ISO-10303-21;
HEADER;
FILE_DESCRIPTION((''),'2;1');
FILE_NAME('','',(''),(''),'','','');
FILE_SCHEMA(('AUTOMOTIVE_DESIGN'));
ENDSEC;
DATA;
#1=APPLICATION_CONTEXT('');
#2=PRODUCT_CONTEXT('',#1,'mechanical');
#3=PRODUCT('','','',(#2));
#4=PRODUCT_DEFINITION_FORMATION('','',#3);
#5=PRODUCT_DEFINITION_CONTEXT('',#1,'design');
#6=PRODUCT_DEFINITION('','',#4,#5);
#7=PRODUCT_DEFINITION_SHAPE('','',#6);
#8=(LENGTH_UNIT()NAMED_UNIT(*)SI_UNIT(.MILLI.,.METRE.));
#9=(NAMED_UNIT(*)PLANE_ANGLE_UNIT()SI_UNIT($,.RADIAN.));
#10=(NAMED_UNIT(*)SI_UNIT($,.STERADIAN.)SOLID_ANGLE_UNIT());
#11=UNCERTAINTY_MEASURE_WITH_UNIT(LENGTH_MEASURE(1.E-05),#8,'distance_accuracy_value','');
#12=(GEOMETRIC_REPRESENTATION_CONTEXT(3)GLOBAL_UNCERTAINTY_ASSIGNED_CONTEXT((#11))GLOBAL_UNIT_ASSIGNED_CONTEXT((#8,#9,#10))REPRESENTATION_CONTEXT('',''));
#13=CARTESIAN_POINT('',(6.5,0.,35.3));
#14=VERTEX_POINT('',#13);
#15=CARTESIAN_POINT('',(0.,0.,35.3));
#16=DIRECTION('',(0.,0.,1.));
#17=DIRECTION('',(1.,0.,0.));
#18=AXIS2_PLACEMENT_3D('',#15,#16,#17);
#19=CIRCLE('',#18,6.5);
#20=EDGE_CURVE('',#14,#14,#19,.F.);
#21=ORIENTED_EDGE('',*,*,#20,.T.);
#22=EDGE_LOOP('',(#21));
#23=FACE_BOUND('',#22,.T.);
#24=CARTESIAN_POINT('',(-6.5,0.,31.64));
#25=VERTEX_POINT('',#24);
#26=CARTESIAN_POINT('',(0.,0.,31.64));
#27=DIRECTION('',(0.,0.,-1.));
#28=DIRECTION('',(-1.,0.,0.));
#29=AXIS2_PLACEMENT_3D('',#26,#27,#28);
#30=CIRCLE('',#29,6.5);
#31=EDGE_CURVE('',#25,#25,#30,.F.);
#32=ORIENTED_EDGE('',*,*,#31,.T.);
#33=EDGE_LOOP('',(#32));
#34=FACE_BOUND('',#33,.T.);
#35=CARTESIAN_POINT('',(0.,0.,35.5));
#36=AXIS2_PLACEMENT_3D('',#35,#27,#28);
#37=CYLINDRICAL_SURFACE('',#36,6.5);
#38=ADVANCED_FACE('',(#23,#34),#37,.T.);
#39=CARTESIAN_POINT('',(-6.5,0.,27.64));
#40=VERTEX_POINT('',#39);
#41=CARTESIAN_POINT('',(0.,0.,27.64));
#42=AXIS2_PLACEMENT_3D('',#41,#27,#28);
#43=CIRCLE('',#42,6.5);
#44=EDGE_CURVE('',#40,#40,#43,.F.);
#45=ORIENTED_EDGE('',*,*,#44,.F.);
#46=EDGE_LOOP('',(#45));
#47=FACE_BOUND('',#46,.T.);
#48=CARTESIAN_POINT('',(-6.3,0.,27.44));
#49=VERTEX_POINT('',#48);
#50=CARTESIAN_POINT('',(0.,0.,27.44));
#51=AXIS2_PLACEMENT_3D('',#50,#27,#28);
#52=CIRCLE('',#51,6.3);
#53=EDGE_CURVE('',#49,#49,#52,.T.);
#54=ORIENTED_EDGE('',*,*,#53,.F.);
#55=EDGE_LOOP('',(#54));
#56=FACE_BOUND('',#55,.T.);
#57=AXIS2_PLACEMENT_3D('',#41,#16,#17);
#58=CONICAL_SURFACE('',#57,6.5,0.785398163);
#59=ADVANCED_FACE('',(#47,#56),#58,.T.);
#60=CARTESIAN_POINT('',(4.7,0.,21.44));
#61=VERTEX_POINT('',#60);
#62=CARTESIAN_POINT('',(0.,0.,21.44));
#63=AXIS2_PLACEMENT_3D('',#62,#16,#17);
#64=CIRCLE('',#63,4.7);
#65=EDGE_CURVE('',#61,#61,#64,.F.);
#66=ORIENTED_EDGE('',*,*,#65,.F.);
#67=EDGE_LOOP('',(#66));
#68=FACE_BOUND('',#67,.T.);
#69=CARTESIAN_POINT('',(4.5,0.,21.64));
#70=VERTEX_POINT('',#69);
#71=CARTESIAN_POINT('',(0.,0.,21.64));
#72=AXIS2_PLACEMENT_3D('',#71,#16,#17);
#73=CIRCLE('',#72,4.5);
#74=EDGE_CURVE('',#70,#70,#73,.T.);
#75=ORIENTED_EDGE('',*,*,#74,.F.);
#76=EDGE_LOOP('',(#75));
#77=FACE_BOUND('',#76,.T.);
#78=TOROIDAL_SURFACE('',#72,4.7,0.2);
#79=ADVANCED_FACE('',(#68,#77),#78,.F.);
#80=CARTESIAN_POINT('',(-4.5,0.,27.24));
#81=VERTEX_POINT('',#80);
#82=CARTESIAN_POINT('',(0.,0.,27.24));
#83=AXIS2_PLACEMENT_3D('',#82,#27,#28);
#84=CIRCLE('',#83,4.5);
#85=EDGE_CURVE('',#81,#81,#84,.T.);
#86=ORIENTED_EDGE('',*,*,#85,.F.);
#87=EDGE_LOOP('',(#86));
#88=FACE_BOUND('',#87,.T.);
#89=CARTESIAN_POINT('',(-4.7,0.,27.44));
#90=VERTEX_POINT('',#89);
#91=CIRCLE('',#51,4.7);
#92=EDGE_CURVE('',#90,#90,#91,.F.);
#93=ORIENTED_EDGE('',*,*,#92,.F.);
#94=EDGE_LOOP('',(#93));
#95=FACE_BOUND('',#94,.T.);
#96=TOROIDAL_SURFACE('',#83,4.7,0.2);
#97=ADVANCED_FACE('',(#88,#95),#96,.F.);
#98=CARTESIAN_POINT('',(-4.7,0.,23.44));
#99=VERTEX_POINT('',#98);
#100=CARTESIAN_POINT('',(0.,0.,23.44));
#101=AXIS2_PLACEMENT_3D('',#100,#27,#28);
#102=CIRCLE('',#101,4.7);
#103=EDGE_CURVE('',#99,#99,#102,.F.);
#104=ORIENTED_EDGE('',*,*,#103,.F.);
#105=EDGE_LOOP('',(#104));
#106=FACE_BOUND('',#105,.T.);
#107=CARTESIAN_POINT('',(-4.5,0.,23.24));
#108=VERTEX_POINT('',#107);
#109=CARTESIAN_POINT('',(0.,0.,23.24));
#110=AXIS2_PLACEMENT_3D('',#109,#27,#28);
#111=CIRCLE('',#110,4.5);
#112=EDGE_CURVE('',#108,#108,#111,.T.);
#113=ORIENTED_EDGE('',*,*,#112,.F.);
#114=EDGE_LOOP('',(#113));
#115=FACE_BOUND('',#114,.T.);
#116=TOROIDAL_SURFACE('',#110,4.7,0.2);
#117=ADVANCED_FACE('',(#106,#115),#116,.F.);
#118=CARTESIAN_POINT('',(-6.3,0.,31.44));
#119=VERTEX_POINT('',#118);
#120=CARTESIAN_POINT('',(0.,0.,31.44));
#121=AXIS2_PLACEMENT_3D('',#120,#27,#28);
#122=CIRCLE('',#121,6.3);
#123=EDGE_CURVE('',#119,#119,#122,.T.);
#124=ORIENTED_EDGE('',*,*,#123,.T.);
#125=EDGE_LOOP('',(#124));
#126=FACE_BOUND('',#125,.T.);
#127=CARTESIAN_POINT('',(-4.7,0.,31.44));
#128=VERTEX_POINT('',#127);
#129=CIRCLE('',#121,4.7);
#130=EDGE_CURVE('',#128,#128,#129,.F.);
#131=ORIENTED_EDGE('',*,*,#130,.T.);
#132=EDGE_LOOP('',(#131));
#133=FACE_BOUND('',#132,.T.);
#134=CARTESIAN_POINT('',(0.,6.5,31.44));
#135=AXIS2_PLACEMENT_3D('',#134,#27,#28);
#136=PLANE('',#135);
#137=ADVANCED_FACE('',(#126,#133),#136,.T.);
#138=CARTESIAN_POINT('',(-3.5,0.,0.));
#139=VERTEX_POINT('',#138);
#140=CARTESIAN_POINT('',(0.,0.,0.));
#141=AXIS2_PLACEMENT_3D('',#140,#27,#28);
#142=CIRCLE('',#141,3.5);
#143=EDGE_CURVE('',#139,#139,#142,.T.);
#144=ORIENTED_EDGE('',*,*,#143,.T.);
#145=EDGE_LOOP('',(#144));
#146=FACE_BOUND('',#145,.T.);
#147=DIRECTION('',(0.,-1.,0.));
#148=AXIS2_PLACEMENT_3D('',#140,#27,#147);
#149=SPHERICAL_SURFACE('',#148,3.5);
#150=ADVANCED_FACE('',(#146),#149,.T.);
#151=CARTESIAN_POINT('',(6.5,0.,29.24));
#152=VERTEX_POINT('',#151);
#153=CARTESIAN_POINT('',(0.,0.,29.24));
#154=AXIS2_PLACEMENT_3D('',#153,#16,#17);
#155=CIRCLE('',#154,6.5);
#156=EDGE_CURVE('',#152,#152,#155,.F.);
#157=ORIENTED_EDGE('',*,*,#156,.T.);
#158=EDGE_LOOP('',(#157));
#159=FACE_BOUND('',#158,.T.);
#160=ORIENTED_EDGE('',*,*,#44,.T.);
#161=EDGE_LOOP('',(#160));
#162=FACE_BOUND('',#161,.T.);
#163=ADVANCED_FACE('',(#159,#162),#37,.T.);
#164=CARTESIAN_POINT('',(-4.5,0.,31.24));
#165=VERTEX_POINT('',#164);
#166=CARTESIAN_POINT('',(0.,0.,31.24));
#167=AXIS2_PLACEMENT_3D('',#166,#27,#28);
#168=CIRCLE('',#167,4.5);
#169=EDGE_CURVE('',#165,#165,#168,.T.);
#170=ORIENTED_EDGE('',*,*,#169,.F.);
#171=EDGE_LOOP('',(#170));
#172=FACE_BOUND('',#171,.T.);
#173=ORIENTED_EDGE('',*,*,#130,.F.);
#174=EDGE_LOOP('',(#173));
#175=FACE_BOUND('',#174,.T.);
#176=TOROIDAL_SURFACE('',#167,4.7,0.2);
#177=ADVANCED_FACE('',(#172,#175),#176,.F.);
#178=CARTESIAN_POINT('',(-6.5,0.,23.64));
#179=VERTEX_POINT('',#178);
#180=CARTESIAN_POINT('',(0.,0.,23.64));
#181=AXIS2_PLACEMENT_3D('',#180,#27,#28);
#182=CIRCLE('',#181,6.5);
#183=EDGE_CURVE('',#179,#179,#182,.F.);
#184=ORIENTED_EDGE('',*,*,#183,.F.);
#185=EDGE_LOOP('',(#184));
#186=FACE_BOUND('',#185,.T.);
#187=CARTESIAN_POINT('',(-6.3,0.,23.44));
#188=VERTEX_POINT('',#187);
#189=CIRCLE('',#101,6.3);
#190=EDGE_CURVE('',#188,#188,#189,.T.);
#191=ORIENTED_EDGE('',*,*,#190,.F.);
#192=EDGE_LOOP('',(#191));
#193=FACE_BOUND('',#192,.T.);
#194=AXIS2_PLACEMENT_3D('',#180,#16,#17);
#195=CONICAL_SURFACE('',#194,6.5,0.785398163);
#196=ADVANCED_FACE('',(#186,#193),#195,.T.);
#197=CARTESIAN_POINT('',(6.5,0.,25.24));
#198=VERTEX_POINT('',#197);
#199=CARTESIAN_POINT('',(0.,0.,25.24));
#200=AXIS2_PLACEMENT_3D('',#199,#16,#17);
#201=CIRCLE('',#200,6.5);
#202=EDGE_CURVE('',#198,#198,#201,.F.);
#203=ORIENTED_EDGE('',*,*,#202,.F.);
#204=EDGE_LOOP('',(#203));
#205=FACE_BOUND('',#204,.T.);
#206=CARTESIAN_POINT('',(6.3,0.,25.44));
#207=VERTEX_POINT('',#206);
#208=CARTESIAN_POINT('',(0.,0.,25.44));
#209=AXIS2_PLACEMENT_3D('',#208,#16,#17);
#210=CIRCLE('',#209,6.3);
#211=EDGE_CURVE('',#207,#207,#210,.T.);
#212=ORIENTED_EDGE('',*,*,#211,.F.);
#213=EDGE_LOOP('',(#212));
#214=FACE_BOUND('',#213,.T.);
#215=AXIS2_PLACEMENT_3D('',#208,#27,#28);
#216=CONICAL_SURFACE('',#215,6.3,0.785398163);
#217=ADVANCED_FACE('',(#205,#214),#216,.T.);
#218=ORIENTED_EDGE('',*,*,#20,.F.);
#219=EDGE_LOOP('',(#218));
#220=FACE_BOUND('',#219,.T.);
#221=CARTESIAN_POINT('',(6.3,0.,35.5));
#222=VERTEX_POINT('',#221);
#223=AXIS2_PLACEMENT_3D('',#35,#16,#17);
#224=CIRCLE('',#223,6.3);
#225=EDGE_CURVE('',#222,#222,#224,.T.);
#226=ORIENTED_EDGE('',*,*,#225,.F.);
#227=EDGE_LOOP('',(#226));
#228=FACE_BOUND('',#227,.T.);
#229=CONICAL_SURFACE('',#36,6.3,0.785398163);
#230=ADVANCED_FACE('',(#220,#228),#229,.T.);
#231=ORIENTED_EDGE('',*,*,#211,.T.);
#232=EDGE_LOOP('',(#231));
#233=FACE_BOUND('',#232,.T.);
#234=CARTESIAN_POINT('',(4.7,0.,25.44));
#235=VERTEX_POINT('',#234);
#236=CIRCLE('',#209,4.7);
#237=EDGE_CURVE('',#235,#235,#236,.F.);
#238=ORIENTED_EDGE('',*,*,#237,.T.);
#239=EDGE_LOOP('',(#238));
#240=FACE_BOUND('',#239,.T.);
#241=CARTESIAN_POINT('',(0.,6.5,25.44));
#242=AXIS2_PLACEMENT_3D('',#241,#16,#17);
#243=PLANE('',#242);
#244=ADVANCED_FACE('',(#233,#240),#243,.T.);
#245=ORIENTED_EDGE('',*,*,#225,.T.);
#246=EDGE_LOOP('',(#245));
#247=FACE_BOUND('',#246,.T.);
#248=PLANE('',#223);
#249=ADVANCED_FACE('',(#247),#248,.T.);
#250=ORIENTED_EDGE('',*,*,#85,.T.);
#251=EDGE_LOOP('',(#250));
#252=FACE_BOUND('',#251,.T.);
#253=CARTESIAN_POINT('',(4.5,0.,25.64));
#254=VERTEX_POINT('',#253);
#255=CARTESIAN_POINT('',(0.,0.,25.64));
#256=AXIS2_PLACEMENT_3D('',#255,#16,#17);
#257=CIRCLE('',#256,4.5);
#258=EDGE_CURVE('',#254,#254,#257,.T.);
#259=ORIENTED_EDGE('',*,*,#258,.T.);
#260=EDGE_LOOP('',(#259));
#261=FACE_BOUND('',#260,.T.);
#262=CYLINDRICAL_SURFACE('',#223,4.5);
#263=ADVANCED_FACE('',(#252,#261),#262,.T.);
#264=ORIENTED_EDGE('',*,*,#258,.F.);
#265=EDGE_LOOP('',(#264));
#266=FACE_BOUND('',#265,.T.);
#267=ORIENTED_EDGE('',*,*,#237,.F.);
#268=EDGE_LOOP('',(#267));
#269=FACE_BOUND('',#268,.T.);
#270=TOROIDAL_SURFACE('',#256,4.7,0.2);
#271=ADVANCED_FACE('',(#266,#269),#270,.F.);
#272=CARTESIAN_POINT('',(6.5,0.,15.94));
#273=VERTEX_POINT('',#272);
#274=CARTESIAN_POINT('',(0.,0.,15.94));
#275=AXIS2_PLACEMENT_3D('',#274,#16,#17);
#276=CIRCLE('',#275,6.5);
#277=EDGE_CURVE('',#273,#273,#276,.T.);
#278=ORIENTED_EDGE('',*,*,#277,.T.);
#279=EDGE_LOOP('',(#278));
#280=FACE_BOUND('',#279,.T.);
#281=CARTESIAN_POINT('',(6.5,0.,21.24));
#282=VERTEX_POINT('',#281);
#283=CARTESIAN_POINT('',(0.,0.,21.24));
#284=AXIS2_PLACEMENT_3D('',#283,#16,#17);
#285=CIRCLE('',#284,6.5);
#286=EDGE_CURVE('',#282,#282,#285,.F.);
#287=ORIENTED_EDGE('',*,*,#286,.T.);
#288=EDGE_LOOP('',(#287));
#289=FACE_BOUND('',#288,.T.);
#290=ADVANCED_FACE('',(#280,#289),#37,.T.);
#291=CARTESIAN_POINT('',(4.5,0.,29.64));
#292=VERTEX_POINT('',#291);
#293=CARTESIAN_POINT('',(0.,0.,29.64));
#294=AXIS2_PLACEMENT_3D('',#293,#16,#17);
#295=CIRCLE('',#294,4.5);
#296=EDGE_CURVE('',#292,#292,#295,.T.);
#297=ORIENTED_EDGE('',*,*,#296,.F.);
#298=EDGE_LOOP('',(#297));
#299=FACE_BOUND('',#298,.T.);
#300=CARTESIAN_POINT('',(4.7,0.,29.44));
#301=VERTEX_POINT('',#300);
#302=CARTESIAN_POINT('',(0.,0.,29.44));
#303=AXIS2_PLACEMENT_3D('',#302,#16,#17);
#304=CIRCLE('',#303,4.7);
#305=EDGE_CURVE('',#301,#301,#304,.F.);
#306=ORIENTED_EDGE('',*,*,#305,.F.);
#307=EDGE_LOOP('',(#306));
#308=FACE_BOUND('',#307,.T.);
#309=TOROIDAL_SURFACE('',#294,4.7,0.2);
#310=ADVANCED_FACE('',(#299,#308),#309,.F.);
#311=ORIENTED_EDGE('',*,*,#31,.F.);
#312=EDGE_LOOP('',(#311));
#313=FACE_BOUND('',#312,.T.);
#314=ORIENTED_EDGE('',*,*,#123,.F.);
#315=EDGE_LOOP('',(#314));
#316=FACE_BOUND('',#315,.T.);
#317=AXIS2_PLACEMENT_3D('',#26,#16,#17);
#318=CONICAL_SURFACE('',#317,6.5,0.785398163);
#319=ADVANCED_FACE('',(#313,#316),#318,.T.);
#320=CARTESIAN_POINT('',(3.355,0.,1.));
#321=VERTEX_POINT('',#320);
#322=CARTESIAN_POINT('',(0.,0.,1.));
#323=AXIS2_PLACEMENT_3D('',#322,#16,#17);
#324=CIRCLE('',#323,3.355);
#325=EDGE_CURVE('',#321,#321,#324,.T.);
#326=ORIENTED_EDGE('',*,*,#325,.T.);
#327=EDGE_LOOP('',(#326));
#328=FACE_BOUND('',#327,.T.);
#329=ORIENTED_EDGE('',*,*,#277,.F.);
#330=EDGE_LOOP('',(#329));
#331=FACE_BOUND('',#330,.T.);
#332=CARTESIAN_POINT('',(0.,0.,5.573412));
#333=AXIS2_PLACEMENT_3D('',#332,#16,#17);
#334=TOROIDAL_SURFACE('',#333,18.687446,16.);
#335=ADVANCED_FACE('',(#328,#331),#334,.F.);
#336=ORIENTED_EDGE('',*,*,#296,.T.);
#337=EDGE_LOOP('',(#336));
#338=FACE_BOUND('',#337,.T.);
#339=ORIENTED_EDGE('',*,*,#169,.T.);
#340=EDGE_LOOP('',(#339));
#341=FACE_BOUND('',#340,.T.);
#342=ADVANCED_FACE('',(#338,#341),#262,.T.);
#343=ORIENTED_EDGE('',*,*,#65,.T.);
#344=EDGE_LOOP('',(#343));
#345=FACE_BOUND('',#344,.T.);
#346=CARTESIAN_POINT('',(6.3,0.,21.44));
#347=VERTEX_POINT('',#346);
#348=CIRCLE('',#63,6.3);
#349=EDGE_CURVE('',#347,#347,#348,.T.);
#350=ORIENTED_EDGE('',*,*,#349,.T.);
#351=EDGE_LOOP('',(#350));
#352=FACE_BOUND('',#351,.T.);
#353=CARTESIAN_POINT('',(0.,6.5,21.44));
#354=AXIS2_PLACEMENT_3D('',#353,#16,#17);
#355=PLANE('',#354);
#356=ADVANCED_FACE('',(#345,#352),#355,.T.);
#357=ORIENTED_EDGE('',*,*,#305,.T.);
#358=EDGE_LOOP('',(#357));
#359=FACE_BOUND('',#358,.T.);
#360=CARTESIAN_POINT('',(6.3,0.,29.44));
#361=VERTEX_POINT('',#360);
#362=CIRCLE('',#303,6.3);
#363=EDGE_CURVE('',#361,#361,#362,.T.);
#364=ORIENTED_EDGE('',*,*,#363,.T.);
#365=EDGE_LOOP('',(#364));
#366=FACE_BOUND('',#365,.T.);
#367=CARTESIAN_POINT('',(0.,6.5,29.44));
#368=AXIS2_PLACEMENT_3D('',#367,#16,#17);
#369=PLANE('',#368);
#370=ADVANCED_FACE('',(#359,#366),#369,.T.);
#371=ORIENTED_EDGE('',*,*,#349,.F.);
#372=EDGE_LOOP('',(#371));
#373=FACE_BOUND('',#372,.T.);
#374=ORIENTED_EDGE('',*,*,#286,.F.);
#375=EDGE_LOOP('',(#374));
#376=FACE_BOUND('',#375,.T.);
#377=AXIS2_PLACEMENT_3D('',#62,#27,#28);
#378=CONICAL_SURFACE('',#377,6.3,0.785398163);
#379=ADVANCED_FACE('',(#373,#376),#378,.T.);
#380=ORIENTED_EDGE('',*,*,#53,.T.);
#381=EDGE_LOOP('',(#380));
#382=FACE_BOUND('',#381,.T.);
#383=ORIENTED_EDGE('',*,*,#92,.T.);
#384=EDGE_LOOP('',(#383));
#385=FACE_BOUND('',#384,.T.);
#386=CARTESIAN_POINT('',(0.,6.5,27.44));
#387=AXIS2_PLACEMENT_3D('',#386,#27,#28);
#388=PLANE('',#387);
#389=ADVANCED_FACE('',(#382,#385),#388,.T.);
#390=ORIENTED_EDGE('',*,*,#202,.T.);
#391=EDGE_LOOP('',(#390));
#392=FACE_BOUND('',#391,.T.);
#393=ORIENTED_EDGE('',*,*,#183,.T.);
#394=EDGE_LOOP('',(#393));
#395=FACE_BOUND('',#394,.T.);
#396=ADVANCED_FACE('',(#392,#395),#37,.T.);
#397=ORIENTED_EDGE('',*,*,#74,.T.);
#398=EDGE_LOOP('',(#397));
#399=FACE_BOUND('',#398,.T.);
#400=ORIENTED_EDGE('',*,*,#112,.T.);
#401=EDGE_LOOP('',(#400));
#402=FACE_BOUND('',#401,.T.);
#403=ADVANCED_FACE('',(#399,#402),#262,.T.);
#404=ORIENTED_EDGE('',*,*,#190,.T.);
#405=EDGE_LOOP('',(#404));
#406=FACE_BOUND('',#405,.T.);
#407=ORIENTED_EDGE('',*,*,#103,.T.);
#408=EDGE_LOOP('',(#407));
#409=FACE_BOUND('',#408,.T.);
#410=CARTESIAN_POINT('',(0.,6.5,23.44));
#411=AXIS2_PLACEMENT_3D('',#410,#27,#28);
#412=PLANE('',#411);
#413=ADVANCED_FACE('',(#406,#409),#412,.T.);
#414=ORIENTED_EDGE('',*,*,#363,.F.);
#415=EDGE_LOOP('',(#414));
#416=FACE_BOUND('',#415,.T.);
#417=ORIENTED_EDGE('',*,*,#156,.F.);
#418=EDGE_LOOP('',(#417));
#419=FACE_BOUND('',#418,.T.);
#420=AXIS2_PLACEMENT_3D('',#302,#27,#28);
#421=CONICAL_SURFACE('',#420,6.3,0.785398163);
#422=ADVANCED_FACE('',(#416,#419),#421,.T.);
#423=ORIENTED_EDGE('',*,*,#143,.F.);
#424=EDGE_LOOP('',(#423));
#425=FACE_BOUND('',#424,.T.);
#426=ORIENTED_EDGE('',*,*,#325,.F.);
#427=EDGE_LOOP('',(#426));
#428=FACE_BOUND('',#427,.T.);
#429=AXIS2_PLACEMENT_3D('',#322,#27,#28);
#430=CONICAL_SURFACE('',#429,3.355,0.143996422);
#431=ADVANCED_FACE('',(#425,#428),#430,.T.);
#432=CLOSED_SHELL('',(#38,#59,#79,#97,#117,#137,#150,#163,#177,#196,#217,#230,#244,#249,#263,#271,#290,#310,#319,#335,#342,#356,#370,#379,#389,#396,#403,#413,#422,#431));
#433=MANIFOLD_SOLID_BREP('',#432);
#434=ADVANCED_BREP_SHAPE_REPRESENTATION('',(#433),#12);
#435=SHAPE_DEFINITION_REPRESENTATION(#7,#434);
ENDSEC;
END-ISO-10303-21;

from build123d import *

# Parameters (mm, degrees)
SKIZZE1_R                       = 6.5
AUFSATZ_LINEAR_AUSTRAGEN1_DEPTH = 35.5
SKIZZE2_W                       = 2
SKIZZE2_H                       = 2
FASE1_SIZE                      = 0.2
VERRUNDUNG1_R                   = 0.2


with BuildPart() as part:
    # Skizze1 → Aufsatz-Linear austragen1 (new body)
    with BuildSketch(Plane.XY):
        Circle(SKIZZE1_R)
    extrude(amount=AUFSATZ_LINEAR_AUSTRAGEN1_DEPTH)

    # Skizze2 → Schnitt-Rotation1 (revolve, cut)
    with BuildSketch(Plane(origin=(0, 0, 0), x_dir=(0, 0, -1), z_dir=(1, 0, 0)), mode=Mode.PRIVATE) as schnitt_rotation1_sk:
        with Locations((-30.44, 5.5)):
            Rectangle(SKIZZE2_W, SKIZZE2_H)
        with Locations((-26.44, 5.5)):
            Rectangle(SKIZZE2_W, SKIZZE2_H)
        with Locations((-22.44, 5.5)):
            Rectangle(SKIZZE2_W, SKIZZE2_H)
    revolve(schnitt_rotation1_sk.sketch.rotate(Axis((0, 0, 35.5), (0, 0, -1)), 90), axis=Axis((0, 0, 35.5), (0, 0, -1)), mode=Mode.SUBTRACT)

    # Skizze5 → Schnitt-Rotation2 (revolve, cut)
    with BuildSketch(Plane(origin=(0, 0, 0), x_dir=(0, 0, -1), z_dir=(1, 0, 0)), mode=Mode.PRIVATE) as schnitt_rotation2_sk:
        with BuildLine():
            Line((-1, 3.355), (0, 3.5))
            Line((0, 3.5), (0, 6.5))
            Line((0, 6.5), (-15.94, 6.5))
            ThreePointArc((-15.94, 6.5), (-8.86931521, 3.030594044), (-1, 3.355))
        make_face()
    revolve(schnitt_rotation2_sk.sketch.rotate(Axis((0, 0, 35.5), (0, 0, -1)), 90), axis=Axis((0, 0, 35.5), (0, 0, -1)), mode=Mode.SUBTRACT)

    # Skizze6 → Rotation1 (revolve)
    with BuildSketch(Plane(origin=(0, 0, 0), x_dir=(0, 0, -1), z_dir=(1, 0, 0)), mode=Mode.PRIVATE) as rotation1_sk:
        with BuildLine():
            Line((3.5, 0), (0, 0))
            Line((0, 0), (0, 3.5))
            ThreePointArc((0, 3.5), (2.474873734, 2.474873734), (3.5, 0))
        make_face()
    revolve(rotation1_sk.sketch.rotate(Axis((0, 0, -3.5), (0, 0, 1)), 90), axis=Axis((0, 0, -3.5), (0, 0, 1)))

    # Fase1
    fase1_edges = [part.edges().sort_by_distance(p)[0] for p in [
        (-6.5, 0, 31.44),
        (-6.5, 0, 29.44),
        (-6.5, 0, 25.44),
        (-6.5, 0, 27.44),
        (-6.5, 0, 23.44),
        (-6.5, 0, 21.44),
        (-6.5, 0, 35.5),
    ]]
    chamfer(fase1_edges, length=FASE1_SIZE)

    # Verrundung1
    verrundung1_edges = [part.edges().sort_by_distance(p)[0] for p in [
        (-4.5, 0, 31.44),
        (-4.5, 0, 29.44),
        (-4.5, 0, 27.44),
        (-4.5, 0, 25.44),
        (-4.5, 0, 23.44),
        (-4.5, 0, 21.44),
    ]]
    fillet(verrundung1_edges, radius=VERRUNDUNG1_R)


solid = part.part
